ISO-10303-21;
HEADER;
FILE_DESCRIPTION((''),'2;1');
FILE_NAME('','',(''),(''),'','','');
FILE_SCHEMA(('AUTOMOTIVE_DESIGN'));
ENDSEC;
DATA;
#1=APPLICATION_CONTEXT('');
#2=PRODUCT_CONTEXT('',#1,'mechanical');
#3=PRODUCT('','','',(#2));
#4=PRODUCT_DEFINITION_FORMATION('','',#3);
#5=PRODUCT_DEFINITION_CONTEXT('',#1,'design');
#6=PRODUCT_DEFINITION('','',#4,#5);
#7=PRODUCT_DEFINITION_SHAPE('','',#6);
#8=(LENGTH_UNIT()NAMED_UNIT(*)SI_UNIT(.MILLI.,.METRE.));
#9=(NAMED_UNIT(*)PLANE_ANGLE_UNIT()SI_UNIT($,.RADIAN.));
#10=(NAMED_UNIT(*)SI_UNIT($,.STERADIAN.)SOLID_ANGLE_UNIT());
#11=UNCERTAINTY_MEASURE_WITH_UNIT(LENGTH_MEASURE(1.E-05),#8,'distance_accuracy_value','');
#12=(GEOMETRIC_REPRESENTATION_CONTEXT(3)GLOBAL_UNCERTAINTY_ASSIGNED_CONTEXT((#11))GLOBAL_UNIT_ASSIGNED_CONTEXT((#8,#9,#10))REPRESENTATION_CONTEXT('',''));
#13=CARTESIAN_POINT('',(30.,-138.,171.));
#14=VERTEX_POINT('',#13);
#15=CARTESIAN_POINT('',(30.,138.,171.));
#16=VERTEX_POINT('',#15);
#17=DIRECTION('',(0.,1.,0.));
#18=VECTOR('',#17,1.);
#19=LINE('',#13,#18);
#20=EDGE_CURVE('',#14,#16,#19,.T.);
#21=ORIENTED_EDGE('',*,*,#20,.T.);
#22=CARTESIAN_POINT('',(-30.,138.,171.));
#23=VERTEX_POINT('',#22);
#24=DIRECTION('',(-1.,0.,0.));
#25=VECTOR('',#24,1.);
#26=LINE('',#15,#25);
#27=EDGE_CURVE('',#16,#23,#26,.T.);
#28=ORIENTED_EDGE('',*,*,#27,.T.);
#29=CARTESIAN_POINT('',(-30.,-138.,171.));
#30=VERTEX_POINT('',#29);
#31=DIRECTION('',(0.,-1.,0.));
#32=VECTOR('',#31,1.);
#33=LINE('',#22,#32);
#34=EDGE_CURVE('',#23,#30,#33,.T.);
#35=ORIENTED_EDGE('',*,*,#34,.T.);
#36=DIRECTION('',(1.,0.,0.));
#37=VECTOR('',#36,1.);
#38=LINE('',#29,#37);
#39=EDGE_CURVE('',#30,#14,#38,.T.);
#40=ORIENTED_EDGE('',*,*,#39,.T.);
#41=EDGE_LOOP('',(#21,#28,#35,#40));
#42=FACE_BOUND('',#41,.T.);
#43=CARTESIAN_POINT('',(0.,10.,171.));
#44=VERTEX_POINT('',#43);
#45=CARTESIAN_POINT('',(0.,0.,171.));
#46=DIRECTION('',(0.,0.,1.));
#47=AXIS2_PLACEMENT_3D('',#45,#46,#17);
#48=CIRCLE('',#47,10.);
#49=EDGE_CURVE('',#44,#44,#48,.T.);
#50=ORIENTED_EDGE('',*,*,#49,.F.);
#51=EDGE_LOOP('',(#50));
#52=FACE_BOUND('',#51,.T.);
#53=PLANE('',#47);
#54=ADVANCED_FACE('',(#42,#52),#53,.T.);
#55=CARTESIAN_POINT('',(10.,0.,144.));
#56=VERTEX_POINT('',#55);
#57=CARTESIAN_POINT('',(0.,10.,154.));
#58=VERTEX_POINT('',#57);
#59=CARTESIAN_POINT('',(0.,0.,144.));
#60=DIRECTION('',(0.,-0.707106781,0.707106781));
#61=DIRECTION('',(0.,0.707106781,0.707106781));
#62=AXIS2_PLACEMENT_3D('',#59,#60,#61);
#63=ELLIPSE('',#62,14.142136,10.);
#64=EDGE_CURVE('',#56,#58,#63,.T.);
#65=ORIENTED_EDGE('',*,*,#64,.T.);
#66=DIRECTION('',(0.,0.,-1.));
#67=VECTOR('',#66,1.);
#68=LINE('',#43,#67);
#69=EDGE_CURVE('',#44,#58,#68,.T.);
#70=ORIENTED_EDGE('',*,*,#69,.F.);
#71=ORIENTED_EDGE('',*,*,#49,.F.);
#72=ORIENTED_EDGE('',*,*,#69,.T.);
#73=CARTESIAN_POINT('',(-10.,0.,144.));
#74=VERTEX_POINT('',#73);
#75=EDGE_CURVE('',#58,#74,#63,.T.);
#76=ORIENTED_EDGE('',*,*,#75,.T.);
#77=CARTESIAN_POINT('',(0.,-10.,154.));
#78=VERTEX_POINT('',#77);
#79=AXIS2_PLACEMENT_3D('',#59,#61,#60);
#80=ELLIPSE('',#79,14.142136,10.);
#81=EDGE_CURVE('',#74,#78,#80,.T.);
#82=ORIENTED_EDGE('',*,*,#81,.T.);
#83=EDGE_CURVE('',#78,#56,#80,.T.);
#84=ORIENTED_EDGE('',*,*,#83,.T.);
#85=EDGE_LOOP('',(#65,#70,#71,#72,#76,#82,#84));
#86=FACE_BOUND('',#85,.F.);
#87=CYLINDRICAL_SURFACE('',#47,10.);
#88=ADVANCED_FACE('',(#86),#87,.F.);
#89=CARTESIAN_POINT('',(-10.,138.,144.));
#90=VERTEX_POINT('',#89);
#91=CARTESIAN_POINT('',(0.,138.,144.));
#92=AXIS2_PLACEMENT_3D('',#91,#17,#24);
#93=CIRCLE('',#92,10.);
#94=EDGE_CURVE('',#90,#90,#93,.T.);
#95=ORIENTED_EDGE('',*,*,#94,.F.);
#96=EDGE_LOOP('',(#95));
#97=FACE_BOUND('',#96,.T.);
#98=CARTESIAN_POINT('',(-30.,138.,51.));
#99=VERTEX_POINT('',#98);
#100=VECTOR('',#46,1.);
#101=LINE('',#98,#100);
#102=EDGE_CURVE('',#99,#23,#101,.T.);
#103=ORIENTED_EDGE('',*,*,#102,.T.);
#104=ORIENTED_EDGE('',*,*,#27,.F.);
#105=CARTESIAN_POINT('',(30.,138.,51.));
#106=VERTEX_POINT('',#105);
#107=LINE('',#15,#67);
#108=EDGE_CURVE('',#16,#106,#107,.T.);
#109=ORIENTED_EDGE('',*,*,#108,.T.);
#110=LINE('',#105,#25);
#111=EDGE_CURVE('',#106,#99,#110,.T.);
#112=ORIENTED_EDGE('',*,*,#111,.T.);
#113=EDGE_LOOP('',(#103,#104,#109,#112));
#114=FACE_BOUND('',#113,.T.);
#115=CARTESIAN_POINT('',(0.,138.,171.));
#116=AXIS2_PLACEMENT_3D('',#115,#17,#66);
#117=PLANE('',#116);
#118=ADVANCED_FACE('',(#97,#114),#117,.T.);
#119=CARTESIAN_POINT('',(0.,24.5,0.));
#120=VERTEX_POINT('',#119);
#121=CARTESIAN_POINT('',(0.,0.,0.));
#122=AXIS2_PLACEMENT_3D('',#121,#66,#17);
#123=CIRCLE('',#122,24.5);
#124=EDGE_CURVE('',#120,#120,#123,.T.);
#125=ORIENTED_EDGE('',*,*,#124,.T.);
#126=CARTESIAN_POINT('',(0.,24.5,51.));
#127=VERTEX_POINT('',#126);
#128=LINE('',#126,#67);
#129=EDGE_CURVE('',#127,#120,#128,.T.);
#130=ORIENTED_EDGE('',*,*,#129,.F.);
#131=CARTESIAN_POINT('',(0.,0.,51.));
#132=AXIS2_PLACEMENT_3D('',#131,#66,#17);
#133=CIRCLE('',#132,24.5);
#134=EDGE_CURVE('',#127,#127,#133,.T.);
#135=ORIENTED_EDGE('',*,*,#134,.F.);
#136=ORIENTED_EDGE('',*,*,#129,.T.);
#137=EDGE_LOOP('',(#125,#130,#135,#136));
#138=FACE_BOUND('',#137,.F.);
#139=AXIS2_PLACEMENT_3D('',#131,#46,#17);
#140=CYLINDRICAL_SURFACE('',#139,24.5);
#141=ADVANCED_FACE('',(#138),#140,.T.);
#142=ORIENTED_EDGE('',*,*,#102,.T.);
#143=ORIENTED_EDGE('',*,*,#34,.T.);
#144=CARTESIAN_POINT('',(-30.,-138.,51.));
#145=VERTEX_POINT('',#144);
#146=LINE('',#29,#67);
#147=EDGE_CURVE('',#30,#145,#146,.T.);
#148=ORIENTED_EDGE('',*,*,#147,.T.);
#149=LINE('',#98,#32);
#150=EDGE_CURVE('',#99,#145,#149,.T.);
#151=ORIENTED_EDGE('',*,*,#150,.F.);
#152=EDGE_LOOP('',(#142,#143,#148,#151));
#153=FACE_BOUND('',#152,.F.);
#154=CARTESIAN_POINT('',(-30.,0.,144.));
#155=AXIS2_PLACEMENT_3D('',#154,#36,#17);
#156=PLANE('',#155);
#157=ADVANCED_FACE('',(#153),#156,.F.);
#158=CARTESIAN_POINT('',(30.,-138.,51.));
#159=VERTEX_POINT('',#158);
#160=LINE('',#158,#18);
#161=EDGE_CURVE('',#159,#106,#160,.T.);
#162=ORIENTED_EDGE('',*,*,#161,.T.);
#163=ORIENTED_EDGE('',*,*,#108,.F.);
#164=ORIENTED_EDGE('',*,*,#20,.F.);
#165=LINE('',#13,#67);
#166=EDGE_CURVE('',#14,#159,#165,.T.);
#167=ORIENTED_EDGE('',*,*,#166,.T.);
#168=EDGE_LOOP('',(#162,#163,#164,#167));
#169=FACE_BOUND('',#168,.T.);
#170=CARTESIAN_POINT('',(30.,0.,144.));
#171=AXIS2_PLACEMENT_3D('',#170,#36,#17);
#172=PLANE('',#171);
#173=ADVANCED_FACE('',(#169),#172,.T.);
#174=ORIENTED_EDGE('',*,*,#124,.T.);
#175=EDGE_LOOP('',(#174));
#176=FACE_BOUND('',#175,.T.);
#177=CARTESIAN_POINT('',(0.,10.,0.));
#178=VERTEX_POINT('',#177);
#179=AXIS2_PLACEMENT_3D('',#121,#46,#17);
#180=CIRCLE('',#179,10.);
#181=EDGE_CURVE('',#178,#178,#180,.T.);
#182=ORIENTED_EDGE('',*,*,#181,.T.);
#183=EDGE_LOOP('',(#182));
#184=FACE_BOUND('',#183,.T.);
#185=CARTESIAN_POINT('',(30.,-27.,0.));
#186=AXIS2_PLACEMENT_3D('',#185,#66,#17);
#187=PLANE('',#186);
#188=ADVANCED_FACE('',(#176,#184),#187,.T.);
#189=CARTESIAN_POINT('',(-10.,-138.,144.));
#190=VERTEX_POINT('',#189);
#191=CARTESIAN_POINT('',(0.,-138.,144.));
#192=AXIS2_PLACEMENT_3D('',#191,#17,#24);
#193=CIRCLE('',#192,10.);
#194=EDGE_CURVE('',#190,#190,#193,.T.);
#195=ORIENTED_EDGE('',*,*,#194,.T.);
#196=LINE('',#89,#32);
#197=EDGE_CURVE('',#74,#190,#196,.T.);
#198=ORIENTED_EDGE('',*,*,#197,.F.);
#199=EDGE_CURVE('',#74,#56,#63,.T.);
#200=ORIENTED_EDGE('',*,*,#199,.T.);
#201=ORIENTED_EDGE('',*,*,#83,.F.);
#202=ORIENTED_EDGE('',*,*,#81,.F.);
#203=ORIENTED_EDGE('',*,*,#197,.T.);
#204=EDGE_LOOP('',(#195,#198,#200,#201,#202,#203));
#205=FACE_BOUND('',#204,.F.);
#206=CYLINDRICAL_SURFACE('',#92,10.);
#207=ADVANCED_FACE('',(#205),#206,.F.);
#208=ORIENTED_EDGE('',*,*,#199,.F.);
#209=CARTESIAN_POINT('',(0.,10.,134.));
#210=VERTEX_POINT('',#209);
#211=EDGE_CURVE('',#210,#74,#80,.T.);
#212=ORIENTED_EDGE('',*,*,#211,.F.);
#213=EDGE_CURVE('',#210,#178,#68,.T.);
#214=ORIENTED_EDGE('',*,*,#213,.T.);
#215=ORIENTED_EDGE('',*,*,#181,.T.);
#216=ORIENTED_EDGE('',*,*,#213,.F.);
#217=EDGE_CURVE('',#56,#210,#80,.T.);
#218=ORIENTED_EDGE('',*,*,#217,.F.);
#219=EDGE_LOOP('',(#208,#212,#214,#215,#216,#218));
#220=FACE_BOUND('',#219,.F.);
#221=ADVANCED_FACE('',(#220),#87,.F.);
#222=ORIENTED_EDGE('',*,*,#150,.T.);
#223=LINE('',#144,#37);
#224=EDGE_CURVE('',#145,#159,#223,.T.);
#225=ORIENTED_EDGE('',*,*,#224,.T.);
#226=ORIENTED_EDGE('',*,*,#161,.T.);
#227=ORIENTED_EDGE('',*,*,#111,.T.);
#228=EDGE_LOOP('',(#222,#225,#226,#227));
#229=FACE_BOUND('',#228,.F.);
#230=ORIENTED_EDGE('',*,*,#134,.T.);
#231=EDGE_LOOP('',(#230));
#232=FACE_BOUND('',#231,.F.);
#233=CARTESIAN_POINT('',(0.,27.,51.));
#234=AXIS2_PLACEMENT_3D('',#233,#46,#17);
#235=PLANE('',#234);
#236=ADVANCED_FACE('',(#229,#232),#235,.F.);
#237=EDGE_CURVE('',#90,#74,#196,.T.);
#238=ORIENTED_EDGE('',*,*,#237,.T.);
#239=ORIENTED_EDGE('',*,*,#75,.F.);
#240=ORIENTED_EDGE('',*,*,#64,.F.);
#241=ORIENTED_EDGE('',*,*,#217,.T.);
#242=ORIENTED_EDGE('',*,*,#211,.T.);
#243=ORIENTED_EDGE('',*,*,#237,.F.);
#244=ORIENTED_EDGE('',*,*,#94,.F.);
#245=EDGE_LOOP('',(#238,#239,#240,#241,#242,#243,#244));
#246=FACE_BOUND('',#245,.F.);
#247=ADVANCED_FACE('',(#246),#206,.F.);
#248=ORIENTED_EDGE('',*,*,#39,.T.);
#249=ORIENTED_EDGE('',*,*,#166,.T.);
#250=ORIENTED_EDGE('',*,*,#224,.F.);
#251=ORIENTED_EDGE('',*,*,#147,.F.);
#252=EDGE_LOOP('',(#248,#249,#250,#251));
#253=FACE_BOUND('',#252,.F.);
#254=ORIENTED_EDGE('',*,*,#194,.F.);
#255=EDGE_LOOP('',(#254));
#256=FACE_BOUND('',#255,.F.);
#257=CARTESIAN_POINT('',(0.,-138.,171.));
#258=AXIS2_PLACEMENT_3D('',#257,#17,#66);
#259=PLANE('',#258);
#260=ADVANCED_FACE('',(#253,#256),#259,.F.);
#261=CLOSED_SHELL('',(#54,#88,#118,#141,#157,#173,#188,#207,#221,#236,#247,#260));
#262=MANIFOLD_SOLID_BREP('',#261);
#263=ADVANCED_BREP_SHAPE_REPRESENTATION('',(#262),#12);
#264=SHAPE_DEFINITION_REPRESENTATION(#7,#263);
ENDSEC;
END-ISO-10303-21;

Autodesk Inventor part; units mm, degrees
ref_plane "YZ Plane" through (0, 0, 0) normal (1, 0, 0) x (0, 1, 0)
ref_plane "XZ Plane" through (0, 0, 0) normal (0, 1, 0) x (-1, 0, 0)
ref_plane "XY Plane" through (0, 0, 0) normal (0, 0, 1) x (1, 0, 0)
sketch "Sketch1" plane through (0, 0, 0) normal (0, 0, 1) x (1, 0, 0)
  line L0 (0, 27) -> (138, 27)
  line L1 (138, 27) -> (138, 0)
  line L2 (138, 0) -> (138, -27)
  line L3 (138, -27) -> (27, -93) construction
  line L4 (27, -93) -> (0, -93)
  line L5 (0, -93) -> (0, 27) construction
  line L6 (0, 0) -> (138, 0) construction
  line L7 (0, 27) -> (-138, 27)
  line L8 (-138, 27) -> (-138, 0)
  line L9 (-138, 0) -> (-138, -27)
  line L10 (-138, -27) -> (-27, -93) construction
  line L11 (-27, -93) -> (0, -93)
  line L12 (27, -93) -> (138, -93)
  line L13 (138, -93) -> (138, -27)
  line L14 (-27, -93) -> (-138, -93)
  line L15 (-138, -93) -> (-138, -27)
  dimension "d0" = 138
  dimension "d2" = 27
  dimension "d3" = 54
  dimension "d4" = 27
  dimension "d5" = 120
extrude "Extrusion1" add sketch "Sketch1" along normal mid plane 60
sketch "Sketch2" plane through (-27, -93, 30) normal (0, -1, 0) x (1, 0, 0)
  circle A0 centre (27, -30) radius 24.5
  dimension "d20" = 49
extrude "Extrusion2" add sketch "Sketch2" along normal blind 51
sketch "Sketch3" plane through (-138, 27, 30) normal (0, 1, 0) x (1, 0, 0)
  circle A0 centre (138, 30) radius 10
  dimension "d12" = 20
extrude "Extrusion3" cut sketch "Sketch3" against normal through all
sketch "Sketch4" plane through (138, -27, 30) normal (1, 0, 0) x (0, 0, -1)
  circle A0 centre (30, 27) radius 10
  dimension "d16" = 20
extrude "Extrusion4" cut sketch "Sketch4" against normal through all
move or copy body "Move Body1" bodies to move or copy 1 copy no rotation origin (0, 0, 0) rotation axis (1, 0, 0) rotation angle 90
move or copy body "Move Body2" bodies to move or copy 1 copy no rotation origin (0, 0, 0) rotation axis (0, 0, 1) rotation angle 90
move or copy body "Move Body4" bodies to move or copy 1 copy no translate (0, 0, 144)
properties part number "UpperTorso_v2"
